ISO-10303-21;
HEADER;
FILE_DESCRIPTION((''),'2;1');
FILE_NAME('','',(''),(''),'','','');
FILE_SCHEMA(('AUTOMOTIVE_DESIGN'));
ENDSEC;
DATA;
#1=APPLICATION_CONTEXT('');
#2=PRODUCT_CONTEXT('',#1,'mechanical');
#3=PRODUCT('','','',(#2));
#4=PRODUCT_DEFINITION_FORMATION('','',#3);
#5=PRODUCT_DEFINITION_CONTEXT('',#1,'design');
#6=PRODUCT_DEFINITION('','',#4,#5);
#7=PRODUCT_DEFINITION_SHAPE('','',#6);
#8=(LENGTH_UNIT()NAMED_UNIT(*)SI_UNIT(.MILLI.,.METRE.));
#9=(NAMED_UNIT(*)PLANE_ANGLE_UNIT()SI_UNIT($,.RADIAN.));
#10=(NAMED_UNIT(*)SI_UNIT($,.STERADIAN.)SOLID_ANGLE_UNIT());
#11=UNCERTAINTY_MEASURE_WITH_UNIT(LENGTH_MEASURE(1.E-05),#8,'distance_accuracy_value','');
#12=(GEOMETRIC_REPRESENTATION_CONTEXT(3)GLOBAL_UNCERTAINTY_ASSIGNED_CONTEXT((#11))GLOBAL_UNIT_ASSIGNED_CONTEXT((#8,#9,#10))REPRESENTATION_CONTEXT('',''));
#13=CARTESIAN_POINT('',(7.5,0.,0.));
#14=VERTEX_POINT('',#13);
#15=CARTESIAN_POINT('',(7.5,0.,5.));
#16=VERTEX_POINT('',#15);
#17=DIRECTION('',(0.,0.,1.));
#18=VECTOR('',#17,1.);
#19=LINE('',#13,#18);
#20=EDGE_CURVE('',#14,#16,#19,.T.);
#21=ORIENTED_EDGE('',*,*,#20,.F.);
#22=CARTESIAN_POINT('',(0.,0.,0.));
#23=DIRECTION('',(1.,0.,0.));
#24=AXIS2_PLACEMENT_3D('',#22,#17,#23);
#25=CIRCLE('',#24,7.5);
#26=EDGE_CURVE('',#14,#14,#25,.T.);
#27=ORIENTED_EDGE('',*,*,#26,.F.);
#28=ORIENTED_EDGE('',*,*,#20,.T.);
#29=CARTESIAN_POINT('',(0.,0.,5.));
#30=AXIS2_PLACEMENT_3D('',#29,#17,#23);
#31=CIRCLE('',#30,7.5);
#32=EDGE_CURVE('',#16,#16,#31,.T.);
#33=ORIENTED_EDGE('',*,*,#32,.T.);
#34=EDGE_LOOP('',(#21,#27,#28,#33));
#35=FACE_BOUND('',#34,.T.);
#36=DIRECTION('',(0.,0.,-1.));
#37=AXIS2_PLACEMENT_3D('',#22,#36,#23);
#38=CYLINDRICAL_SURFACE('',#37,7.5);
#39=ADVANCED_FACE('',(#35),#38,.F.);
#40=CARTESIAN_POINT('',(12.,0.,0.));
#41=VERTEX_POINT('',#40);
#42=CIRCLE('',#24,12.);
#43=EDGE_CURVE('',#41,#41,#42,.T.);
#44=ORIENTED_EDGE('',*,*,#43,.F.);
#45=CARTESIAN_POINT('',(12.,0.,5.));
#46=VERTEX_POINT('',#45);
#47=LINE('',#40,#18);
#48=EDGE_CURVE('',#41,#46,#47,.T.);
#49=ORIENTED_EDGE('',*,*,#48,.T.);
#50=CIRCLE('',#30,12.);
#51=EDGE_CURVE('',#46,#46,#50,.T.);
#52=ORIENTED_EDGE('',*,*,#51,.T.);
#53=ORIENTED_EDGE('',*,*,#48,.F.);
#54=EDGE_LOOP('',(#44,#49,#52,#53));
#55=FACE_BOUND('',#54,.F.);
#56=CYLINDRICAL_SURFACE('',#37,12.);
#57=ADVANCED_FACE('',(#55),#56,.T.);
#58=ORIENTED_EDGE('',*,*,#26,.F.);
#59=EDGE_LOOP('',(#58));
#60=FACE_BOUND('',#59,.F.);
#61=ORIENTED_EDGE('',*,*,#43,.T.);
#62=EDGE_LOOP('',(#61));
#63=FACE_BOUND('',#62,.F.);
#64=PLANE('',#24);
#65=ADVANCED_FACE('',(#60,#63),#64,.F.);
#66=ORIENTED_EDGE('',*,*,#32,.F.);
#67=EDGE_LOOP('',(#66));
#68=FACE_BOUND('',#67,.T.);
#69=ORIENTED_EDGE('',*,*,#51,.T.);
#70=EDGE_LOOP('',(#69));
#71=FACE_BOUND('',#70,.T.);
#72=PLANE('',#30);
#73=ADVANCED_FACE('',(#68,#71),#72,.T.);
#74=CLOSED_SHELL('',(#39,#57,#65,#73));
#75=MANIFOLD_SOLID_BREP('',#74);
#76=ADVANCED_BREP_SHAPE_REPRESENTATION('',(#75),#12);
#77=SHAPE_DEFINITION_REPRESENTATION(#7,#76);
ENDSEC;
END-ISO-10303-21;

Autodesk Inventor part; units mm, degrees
ref_plane "YZ Plane" through (0, 0, 0) normal (1, 0, 0) x (0, 1, 0)
ref_plane "XZ Plane" through (0, 0, 0) normal (0, 1, 0) x (-1, 0, 0)
ref_plane "XY Plane" through (0, 0, 0) normal (0, 0, 1) x (1, 0, 0)
sketch "Sketch1" plane through (0, 0, 0) normal (0, 0, 1) x (1, 0, 0)
  circle A0 centre (0, 0) radius 12
  circle A1 centre (0, 0) radius 7.5
  dimension "d0" = 24
  dimension "d3" = 15
extrude "Extrusion1" add sketch "Sketch1" along normal blind 5
properties part number "15x24x5"
